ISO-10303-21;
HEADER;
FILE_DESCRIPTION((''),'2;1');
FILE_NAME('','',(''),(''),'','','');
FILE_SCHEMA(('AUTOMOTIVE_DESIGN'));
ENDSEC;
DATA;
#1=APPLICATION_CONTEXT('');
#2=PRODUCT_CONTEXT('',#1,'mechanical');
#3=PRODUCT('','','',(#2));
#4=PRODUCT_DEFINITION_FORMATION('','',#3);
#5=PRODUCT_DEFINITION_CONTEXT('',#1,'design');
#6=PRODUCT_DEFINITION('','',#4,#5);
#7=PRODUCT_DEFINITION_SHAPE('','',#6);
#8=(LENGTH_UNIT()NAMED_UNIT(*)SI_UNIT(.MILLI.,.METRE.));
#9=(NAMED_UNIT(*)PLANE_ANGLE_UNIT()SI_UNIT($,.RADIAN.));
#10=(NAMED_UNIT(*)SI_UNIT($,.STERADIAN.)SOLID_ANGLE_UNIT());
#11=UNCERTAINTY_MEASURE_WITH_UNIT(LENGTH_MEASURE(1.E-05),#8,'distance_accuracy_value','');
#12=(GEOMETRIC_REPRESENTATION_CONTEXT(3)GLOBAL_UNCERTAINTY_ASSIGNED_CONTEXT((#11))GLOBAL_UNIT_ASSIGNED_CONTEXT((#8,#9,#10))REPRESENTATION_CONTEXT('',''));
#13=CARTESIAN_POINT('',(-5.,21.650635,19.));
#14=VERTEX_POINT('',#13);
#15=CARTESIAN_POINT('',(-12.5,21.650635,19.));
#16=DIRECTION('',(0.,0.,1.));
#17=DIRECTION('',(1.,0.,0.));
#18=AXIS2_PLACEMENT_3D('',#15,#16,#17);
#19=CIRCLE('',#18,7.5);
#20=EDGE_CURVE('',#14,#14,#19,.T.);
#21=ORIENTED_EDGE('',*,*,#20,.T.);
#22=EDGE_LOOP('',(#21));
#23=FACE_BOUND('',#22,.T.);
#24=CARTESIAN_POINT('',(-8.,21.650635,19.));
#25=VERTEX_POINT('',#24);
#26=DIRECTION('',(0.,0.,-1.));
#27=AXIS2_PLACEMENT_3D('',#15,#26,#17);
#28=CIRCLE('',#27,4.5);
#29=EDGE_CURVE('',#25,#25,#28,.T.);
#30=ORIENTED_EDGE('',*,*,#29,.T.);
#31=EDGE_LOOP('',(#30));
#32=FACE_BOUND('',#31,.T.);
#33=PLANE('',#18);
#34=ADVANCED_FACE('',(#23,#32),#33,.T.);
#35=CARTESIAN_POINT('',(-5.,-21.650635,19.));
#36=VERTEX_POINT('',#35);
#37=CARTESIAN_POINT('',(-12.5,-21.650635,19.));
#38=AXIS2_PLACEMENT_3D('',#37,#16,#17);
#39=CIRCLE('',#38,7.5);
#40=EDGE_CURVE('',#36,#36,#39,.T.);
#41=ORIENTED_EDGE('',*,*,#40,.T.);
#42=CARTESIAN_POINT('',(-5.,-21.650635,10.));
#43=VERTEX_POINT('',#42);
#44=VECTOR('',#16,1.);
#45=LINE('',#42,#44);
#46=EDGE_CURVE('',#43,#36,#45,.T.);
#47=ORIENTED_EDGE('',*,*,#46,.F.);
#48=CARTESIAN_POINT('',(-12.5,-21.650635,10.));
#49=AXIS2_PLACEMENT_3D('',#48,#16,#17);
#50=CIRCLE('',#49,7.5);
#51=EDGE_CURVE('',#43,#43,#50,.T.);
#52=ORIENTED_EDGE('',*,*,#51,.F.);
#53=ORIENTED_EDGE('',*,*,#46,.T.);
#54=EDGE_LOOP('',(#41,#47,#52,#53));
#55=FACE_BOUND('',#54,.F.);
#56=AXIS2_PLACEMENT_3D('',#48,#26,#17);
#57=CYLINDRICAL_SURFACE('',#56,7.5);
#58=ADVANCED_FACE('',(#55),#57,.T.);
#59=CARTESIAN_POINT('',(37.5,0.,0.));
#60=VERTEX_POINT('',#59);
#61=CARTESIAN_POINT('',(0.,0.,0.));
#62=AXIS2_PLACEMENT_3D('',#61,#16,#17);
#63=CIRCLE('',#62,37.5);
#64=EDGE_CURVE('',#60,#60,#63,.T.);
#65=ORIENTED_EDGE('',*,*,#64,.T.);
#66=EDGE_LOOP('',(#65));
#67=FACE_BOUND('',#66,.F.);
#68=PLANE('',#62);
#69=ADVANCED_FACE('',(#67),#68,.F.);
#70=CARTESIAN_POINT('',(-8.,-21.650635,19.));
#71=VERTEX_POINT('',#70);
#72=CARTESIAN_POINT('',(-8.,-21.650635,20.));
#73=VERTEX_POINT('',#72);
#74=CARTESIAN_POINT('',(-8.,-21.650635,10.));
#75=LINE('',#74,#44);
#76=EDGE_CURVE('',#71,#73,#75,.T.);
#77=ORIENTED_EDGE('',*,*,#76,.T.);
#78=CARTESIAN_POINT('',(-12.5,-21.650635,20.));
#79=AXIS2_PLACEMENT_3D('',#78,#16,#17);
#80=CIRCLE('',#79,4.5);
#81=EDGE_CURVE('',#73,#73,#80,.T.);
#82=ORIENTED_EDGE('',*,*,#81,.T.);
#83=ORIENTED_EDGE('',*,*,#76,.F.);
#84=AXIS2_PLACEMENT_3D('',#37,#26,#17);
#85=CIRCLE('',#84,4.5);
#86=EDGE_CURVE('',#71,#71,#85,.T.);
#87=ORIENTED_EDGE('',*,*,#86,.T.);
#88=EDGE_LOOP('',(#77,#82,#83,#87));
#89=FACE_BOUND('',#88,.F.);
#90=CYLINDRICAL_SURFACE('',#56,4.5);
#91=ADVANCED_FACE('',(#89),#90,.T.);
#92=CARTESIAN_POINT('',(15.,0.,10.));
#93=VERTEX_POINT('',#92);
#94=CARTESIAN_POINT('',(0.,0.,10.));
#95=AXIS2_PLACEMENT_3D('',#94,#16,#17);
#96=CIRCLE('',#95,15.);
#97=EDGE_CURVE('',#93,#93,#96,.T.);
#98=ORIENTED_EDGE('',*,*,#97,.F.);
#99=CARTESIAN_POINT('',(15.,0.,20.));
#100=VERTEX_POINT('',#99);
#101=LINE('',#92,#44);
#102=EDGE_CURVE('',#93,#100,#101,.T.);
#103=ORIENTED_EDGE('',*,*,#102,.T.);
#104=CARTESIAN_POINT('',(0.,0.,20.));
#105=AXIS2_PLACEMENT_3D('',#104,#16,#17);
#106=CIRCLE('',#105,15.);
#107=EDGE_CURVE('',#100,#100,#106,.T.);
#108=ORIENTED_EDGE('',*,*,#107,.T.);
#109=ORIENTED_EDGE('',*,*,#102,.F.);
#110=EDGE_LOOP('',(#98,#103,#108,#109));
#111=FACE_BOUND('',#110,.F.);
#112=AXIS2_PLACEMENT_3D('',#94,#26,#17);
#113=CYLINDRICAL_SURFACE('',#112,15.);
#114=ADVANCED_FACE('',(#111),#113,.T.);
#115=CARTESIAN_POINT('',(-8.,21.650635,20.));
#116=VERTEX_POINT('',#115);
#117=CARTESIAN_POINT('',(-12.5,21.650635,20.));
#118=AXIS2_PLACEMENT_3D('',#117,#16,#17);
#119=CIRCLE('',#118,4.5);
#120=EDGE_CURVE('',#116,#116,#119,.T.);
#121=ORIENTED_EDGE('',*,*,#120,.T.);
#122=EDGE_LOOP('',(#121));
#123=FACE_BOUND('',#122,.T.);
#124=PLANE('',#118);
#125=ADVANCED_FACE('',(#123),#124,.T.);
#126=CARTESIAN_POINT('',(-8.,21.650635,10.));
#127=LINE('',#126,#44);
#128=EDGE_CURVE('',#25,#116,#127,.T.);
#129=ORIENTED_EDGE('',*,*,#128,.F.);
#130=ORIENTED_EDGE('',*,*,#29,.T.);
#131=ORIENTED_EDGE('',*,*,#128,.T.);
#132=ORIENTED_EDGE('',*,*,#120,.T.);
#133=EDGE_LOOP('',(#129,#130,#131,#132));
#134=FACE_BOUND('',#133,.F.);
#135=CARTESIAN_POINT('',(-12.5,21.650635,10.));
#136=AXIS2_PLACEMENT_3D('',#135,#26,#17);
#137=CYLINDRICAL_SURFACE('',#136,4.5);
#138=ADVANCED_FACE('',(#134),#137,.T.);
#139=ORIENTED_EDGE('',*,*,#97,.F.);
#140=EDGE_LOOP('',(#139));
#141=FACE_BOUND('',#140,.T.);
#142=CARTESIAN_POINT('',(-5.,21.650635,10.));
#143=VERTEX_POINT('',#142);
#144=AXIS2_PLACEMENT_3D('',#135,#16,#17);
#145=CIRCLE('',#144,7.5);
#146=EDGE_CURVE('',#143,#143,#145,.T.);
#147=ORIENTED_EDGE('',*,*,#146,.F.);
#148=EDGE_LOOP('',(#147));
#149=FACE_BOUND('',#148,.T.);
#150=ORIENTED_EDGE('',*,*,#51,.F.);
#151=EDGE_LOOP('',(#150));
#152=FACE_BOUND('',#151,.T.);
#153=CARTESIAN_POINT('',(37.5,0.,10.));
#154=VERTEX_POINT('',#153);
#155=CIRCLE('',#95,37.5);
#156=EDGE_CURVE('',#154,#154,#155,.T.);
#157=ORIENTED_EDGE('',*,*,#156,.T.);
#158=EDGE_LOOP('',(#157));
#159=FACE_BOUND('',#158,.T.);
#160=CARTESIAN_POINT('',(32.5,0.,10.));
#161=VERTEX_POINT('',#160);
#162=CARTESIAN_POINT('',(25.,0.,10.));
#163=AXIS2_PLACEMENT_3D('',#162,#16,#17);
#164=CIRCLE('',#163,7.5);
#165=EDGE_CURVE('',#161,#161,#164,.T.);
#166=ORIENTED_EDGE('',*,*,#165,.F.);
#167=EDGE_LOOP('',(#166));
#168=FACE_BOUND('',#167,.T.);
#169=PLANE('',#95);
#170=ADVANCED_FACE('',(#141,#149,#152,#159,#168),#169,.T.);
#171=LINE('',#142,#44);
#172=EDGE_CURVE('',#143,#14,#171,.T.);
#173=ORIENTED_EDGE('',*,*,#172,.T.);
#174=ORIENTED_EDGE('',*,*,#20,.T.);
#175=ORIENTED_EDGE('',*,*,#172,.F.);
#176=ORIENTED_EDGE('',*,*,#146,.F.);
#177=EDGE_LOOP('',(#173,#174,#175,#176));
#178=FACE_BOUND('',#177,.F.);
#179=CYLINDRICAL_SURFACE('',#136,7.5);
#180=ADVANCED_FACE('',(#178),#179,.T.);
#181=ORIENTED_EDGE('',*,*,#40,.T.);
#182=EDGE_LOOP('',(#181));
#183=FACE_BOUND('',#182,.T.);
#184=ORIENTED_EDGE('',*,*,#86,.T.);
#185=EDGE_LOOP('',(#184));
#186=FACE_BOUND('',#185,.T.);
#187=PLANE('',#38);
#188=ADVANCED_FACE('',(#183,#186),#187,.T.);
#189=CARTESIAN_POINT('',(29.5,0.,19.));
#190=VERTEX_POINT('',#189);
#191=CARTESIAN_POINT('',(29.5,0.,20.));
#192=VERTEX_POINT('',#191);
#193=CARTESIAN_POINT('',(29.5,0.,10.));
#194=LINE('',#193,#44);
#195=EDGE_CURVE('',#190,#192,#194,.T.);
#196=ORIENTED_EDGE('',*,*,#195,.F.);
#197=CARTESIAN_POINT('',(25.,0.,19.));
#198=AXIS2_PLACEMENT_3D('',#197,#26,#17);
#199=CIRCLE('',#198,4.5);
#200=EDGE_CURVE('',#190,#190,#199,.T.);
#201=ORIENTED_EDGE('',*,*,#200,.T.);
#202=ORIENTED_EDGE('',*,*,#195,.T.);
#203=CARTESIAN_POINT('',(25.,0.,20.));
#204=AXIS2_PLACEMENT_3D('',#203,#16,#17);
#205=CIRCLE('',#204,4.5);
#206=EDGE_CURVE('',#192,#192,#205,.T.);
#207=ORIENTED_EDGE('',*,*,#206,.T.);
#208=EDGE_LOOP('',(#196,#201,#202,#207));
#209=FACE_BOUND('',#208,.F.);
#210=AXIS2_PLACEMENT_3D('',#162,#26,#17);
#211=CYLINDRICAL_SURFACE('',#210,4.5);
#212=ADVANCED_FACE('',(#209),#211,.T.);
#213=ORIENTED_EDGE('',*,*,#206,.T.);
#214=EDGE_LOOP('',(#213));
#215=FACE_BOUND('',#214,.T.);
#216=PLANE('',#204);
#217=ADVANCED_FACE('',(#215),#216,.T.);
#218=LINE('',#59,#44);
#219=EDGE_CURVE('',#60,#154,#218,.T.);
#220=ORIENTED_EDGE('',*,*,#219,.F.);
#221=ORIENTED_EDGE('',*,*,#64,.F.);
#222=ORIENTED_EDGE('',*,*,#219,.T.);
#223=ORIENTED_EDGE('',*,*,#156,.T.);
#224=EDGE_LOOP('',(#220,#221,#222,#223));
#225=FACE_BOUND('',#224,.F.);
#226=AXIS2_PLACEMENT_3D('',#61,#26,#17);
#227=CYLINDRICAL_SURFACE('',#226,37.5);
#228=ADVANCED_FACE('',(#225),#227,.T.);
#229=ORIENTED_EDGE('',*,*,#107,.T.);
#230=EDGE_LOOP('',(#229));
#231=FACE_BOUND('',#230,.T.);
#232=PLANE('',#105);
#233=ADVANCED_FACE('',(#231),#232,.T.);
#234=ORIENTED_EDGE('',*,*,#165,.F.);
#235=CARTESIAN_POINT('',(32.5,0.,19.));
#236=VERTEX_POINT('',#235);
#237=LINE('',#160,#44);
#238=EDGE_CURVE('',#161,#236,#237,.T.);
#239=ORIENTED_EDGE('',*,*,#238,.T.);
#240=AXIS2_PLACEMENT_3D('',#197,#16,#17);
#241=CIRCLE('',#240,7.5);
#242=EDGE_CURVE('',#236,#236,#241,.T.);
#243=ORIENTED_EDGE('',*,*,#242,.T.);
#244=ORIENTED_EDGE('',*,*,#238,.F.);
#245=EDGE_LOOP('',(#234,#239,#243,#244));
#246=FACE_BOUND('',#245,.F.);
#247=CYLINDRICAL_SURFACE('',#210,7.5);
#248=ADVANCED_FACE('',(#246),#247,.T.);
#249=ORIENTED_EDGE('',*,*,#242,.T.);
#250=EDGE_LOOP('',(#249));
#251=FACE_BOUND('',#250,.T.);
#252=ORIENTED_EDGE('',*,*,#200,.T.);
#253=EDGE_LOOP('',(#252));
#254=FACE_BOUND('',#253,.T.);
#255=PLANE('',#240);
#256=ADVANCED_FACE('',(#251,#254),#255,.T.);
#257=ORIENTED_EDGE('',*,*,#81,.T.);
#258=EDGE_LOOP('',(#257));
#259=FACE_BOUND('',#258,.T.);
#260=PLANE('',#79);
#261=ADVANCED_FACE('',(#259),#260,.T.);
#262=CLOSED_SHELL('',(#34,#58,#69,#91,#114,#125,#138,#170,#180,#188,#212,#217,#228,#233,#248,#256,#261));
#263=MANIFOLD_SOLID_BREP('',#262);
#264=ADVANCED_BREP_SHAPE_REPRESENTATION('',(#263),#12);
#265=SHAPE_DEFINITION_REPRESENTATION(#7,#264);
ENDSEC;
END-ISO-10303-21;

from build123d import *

# Parameters (mm, degrees)
SKETCH_1_R  = 37.5
PAD_1_DEPTH = 10
SKETCH_2_R  = 15
PAD_2_DEPTH = 10
SKETCH_3_R  = 4.5
PAD_3_DEPTH = 10
SKETCH_4_R  = 7.5
PAD_4_DEPTH = 9
SKETCH_5_R  = 4.5
PAD_5_DEPTH = 10
SKETCH_6_R  = 7.5
PAD_6_DEPTH = 9
SKETCH_7_R  = 4.5
PAD_7_DEPTH = 10
SKETCH_8_R  = 7.5
PAD_8_DEPTH = 9


with BuildPart() as part:
    # Sketch_1 → Pad_1 (new body)
    with BuildSketch(Plane.XY):
        Circle(SKETCH_1_R)
    extrude(amount=PAD_1_DEPTH)

    # Sketch_2 (on Face3 of Pad_1) → Pad_2 (join)
    with BuildSketch(Plane.XY.offset(10)):
        Circle(SKETCH_2_R)
    extrude(amount=PAD_2_DEPTH)

    # Sketch_3 (on Face3 of Pad_2) → Pad_3 (join)
    with BuildSketch(Plane.XY.offset(10)):
        with Locations((25, 0)):
            Circle(SKETCH_3_R)
    extrude(amount=PAD_3_DEPTH)

    # Sketch_4 (on Face3 of Pad_3) → Pad_4 (join)
    with BuildSketch(Plane.XY.offset(10)):
        with Locations((25, 0)):
            Circle(SKETCH_4_R)
    extrude(amount=PAD_4_DEPTH)

    # Sketch_5 (on Face3 of Pad_4) → Pad_5 (join)
    with BuildSketch(Plane.XY.offset(10)):
        with Locations((-12.5, 21.650635)):
            Circle(SKETCH_5_R)
    extrude(amount=PAD_5_DEPTH)

    # Sketch_6 (on Face3 of Pad_5) → Pad_6 (join)
    with BuildSketch(Plane.XY.offset(10)):
        with Locations((-12.5, 21.650635)):
            Circle(SKETCH_6_R)
    extrude(amount=PAD_6_DEPTH)

    # Sketch_7 (on Face3 of Pad_6) → Pad_7 (join)
    with BuildSketch(Plane.XY.offset(10)):
        with Locations((-12.5, -21.650635)):
            Circle(SKETCH_7_R)
    extrude(amount=PAD_7_DEPTH)

    # Sketch_8 (on Face3 of Pad_7) → Pad_8 (join)
    with BuildSketch(Plane.XY.offset(10)):
        with Locations((-12.5, -21.650635)):
            Circle(SKETCH_8_R)
    extrude(amount=PAD_8_DEPTH)


solid = part.part
